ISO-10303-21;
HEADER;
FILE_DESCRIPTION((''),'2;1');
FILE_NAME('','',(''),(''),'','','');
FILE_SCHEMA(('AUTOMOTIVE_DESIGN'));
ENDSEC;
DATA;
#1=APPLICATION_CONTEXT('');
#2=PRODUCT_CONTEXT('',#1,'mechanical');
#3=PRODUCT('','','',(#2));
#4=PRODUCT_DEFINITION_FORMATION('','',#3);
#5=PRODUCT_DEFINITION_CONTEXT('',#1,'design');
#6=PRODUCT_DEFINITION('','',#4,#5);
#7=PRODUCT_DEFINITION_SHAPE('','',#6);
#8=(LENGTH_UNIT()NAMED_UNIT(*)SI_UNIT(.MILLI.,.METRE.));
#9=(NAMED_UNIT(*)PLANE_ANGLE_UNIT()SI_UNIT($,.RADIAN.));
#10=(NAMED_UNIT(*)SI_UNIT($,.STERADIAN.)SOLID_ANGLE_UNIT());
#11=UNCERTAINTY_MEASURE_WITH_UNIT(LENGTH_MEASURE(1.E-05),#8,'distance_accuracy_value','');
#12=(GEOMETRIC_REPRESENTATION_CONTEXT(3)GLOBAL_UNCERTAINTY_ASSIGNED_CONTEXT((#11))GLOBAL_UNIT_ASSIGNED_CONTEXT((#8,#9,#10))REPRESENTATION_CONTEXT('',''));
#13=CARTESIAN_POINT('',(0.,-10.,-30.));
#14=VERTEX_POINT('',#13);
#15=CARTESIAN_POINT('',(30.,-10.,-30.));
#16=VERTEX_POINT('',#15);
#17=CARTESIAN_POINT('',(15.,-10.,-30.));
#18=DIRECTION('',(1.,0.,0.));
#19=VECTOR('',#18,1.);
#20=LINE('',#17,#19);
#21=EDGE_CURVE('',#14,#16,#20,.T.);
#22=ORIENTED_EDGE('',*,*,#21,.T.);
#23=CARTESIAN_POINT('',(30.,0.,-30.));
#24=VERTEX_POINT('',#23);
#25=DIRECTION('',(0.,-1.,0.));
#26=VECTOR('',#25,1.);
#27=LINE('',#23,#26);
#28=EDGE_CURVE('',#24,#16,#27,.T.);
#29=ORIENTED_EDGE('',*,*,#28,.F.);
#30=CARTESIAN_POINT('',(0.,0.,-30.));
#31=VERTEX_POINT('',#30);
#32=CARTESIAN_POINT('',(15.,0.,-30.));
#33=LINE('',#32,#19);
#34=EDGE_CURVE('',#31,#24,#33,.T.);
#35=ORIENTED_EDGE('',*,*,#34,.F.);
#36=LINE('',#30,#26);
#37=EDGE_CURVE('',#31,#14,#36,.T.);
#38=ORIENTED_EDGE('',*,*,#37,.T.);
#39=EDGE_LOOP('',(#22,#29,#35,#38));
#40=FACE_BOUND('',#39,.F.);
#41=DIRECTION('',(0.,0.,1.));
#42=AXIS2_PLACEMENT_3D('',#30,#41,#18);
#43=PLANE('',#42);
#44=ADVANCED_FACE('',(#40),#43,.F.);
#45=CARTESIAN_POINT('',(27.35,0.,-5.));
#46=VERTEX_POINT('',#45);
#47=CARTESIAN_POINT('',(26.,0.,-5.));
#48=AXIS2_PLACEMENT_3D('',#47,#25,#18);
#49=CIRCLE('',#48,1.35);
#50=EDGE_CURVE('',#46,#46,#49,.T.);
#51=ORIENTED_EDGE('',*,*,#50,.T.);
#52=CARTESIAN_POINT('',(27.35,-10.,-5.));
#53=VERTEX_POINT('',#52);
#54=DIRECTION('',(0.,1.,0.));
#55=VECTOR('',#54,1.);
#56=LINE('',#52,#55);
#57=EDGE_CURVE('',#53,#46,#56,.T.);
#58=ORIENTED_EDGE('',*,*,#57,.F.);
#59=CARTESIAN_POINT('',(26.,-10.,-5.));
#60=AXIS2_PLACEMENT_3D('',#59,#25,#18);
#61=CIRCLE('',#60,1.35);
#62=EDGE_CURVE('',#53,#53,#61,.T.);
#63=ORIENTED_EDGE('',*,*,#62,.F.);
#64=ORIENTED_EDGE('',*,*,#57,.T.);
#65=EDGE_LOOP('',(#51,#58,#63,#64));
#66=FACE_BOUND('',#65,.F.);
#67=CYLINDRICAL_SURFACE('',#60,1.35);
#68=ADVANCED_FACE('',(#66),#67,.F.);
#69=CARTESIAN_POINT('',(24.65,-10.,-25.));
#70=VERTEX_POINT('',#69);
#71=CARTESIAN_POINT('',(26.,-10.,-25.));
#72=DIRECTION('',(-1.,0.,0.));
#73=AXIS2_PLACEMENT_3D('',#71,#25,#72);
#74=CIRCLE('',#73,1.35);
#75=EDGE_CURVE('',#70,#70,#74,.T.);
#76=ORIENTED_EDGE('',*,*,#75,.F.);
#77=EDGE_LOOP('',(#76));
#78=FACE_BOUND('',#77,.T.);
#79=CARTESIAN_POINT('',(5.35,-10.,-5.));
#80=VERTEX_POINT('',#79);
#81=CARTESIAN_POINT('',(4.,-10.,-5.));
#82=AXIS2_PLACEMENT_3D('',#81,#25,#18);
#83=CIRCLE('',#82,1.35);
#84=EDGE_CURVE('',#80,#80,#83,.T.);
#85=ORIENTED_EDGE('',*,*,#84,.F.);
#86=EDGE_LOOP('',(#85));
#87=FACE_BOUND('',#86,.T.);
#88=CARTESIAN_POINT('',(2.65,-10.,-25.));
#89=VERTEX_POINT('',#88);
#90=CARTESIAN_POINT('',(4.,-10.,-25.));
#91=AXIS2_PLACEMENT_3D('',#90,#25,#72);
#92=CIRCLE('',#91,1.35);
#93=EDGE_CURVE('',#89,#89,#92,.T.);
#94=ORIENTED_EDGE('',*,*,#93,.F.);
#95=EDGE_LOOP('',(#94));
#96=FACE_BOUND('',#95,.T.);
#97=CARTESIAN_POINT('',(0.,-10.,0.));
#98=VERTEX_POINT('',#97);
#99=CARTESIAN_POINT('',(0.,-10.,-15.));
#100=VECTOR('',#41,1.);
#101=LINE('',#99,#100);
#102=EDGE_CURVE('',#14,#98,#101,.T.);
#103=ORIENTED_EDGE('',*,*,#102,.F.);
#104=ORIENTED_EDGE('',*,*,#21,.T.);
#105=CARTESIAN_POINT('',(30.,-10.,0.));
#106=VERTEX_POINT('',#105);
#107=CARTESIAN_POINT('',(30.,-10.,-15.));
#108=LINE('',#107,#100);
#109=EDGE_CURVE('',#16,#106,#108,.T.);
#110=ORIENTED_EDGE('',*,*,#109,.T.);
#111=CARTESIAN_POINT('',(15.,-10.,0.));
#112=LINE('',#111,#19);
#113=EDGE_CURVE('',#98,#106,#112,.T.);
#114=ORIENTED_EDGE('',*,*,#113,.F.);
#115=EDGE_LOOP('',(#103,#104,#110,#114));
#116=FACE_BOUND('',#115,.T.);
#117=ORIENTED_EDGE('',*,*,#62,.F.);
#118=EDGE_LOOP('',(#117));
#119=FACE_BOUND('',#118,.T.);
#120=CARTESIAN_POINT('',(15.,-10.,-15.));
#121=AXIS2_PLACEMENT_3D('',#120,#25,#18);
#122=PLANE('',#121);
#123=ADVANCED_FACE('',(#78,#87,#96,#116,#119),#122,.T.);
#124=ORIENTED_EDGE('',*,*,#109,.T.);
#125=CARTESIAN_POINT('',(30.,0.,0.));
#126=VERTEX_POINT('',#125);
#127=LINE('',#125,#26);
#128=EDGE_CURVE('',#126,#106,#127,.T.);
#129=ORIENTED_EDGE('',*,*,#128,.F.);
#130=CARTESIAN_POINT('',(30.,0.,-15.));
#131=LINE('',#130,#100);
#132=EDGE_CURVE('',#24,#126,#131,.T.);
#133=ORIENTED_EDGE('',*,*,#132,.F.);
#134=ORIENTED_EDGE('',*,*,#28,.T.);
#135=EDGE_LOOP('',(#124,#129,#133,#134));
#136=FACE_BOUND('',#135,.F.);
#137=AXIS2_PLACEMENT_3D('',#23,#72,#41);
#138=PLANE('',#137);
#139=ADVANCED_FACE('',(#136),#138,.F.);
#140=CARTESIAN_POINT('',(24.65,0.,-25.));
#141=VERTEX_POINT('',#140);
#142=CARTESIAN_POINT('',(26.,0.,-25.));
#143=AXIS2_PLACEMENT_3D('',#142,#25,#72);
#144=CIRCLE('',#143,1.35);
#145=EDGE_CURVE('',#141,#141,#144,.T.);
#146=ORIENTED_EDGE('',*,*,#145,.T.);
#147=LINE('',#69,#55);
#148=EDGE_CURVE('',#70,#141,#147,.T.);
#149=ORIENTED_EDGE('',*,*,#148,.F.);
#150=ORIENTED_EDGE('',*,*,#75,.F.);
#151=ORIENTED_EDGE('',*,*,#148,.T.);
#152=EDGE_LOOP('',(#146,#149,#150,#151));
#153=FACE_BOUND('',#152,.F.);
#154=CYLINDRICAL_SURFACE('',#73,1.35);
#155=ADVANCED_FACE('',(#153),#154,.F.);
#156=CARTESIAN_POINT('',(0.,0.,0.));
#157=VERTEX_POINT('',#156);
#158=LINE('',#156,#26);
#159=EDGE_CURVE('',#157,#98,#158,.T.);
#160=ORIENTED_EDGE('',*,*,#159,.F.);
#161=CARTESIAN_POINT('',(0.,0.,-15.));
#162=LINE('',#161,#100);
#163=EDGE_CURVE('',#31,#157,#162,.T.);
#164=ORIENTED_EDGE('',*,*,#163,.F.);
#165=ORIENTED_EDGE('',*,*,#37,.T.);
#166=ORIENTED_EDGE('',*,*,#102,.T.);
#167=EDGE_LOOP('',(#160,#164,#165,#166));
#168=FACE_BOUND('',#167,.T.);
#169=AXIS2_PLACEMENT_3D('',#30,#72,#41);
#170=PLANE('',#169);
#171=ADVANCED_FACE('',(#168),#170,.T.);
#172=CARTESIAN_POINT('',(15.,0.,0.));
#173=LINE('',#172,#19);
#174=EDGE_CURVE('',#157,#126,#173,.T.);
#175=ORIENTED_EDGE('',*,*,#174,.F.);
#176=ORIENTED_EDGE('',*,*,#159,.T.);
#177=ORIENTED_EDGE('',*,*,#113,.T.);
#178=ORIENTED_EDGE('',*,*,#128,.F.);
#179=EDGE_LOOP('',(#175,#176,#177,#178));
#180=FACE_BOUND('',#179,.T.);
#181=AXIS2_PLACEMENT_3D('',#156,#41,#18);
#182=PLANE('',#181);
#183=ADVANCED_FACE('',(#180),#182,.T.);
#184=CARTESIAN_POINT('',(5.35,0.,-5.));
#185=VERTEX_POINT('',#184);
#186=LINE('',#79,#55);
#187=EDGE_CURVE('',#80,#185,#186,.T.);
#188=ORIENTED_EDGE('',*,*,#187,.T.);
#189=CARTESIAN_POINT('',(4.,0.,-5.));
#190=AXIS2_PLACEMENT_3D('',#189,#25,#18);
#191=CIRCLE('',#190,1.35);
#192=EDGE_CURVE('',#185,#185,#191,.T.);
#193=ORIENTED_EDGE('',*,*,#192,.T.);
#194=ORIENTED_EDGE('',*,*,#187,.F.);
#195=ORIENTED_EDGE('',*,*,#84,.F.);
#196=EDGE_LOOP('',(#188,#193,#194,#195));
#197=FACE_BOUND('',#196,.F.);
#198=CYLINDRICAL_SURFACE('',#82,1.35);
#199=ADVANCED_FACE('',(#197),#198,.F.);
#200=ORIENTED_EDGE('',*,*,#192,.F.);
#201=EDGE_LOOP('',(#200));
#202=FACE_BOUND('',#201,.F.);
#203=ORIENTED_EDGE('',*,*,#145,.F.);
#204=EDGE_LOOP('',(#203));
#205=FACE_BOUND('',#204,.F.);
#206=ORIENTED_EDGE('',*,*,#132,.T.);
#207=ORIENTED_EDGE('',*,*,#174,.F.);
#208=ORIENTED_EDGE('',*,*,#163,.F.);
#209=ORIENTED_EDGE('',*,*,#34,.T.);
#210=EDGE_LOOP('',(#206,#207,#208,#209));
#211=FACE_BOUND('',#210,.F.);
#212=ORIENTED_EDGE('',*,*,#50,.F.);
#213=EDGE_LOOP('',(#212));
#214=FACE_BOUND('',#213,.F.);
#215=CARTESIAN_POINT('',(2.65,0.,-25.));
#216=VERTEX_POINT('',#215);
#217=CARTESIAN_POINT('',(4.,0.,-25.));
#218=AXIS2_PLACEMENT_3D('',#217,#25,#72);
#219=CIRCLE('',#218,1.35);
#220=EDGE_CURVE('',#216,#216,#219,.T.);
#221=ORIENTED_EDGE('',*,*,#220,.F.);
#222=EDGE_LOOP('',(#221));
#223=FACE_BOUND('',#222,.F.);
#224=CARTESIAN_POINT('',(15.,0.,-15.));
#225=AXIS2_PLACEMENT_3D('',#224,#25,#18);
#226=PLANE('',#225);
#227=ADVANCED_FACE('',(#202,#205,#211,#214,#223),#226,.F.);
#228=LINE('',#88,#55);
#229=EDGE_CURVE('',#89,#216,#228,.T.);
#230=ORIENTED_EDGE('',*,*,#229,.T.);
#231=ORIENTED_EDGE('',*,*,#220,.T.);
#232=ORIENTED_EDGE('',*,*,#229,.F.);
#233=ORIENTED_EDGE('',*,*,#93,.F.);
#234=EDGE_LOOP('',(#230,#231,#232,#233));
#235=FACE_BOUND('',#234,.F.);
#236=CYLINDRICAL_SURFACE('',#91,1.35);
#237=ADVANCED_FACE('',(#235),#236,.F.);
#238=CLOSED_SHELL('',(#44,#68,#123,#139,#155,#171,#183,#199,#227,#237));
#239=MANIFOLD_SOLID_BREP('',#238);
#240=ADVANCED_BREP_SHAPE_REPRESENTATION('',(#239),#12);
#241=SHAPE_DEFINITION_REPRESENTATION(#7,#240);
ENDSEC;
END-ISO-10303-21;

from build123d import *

# Parameters (mm, degrees)
F0_W     = 30
F0_H     = 30
F1_DEPTH = 10
F3_DEPTH = 25


with BuildPart() as f1:
    # F0 (on Front) → F1 (new body)
    with BuildSketch(Plane.XZ):
        with Locations((15, -15)):
            Rectangle(F0_W, F0_H)
    extrude(amount=F1_DEPTH)

    # F2 (on face) → F3 (cut)
    with BuildSketch(Plane.XZ.offset(10)):
        with BuildLine():
            ThreePointArc((5.35, -25), (4, -23.65), (2.65, -25))
            Line((2.65, -25), (5.35, -25))
        make_face()
        with BuildLine():
            Line((5.35, -25), (2.65, -25))
            ThreePointArc((2.65, -25), (4, -26.35), (5.35, -25))
        make_face()
        with BuildLine():
            ThreePointArc((27.35, -25), (26, -23.65), (24.65, -25))
            Line((24.65, -25), (27.35, -25))
        make_face()
        with BuildLine():
            Line((27.35, -25), (24.65, -25))
            ThreePointArc((24.65, -25), (26, -26.35), (27.35, -25))
        make_face()
        with BuildLine():
            Line((27.35, -5), (24.65, -5))
            ThreePointArc((24.65, -5), (26, -6.35), (27.35, -5))
        make_face()
        with BuildLine():
            ThreePointArc((27.35, -5), (26, -3.65), (24.65, -5))
            Line((24.65, -5), (27.35, -5))
        make_face()
        with BuildLine():
            Line((5.35, -5), (2.65, -5))
            ThreePointArc((2.65, -5), (4, -6.35), (5.35, -5))
        make_face()
        with BuildLine():
            ThreePointArc((5.35, -5), (4, -3.65), (2.65, -5))
            Line((2.65, -5), (5.35, -5))
        make_face()
    extrude(amount=-F3_DEPTH, mode=Mode.SUBTRACT)


solid = f1.part
